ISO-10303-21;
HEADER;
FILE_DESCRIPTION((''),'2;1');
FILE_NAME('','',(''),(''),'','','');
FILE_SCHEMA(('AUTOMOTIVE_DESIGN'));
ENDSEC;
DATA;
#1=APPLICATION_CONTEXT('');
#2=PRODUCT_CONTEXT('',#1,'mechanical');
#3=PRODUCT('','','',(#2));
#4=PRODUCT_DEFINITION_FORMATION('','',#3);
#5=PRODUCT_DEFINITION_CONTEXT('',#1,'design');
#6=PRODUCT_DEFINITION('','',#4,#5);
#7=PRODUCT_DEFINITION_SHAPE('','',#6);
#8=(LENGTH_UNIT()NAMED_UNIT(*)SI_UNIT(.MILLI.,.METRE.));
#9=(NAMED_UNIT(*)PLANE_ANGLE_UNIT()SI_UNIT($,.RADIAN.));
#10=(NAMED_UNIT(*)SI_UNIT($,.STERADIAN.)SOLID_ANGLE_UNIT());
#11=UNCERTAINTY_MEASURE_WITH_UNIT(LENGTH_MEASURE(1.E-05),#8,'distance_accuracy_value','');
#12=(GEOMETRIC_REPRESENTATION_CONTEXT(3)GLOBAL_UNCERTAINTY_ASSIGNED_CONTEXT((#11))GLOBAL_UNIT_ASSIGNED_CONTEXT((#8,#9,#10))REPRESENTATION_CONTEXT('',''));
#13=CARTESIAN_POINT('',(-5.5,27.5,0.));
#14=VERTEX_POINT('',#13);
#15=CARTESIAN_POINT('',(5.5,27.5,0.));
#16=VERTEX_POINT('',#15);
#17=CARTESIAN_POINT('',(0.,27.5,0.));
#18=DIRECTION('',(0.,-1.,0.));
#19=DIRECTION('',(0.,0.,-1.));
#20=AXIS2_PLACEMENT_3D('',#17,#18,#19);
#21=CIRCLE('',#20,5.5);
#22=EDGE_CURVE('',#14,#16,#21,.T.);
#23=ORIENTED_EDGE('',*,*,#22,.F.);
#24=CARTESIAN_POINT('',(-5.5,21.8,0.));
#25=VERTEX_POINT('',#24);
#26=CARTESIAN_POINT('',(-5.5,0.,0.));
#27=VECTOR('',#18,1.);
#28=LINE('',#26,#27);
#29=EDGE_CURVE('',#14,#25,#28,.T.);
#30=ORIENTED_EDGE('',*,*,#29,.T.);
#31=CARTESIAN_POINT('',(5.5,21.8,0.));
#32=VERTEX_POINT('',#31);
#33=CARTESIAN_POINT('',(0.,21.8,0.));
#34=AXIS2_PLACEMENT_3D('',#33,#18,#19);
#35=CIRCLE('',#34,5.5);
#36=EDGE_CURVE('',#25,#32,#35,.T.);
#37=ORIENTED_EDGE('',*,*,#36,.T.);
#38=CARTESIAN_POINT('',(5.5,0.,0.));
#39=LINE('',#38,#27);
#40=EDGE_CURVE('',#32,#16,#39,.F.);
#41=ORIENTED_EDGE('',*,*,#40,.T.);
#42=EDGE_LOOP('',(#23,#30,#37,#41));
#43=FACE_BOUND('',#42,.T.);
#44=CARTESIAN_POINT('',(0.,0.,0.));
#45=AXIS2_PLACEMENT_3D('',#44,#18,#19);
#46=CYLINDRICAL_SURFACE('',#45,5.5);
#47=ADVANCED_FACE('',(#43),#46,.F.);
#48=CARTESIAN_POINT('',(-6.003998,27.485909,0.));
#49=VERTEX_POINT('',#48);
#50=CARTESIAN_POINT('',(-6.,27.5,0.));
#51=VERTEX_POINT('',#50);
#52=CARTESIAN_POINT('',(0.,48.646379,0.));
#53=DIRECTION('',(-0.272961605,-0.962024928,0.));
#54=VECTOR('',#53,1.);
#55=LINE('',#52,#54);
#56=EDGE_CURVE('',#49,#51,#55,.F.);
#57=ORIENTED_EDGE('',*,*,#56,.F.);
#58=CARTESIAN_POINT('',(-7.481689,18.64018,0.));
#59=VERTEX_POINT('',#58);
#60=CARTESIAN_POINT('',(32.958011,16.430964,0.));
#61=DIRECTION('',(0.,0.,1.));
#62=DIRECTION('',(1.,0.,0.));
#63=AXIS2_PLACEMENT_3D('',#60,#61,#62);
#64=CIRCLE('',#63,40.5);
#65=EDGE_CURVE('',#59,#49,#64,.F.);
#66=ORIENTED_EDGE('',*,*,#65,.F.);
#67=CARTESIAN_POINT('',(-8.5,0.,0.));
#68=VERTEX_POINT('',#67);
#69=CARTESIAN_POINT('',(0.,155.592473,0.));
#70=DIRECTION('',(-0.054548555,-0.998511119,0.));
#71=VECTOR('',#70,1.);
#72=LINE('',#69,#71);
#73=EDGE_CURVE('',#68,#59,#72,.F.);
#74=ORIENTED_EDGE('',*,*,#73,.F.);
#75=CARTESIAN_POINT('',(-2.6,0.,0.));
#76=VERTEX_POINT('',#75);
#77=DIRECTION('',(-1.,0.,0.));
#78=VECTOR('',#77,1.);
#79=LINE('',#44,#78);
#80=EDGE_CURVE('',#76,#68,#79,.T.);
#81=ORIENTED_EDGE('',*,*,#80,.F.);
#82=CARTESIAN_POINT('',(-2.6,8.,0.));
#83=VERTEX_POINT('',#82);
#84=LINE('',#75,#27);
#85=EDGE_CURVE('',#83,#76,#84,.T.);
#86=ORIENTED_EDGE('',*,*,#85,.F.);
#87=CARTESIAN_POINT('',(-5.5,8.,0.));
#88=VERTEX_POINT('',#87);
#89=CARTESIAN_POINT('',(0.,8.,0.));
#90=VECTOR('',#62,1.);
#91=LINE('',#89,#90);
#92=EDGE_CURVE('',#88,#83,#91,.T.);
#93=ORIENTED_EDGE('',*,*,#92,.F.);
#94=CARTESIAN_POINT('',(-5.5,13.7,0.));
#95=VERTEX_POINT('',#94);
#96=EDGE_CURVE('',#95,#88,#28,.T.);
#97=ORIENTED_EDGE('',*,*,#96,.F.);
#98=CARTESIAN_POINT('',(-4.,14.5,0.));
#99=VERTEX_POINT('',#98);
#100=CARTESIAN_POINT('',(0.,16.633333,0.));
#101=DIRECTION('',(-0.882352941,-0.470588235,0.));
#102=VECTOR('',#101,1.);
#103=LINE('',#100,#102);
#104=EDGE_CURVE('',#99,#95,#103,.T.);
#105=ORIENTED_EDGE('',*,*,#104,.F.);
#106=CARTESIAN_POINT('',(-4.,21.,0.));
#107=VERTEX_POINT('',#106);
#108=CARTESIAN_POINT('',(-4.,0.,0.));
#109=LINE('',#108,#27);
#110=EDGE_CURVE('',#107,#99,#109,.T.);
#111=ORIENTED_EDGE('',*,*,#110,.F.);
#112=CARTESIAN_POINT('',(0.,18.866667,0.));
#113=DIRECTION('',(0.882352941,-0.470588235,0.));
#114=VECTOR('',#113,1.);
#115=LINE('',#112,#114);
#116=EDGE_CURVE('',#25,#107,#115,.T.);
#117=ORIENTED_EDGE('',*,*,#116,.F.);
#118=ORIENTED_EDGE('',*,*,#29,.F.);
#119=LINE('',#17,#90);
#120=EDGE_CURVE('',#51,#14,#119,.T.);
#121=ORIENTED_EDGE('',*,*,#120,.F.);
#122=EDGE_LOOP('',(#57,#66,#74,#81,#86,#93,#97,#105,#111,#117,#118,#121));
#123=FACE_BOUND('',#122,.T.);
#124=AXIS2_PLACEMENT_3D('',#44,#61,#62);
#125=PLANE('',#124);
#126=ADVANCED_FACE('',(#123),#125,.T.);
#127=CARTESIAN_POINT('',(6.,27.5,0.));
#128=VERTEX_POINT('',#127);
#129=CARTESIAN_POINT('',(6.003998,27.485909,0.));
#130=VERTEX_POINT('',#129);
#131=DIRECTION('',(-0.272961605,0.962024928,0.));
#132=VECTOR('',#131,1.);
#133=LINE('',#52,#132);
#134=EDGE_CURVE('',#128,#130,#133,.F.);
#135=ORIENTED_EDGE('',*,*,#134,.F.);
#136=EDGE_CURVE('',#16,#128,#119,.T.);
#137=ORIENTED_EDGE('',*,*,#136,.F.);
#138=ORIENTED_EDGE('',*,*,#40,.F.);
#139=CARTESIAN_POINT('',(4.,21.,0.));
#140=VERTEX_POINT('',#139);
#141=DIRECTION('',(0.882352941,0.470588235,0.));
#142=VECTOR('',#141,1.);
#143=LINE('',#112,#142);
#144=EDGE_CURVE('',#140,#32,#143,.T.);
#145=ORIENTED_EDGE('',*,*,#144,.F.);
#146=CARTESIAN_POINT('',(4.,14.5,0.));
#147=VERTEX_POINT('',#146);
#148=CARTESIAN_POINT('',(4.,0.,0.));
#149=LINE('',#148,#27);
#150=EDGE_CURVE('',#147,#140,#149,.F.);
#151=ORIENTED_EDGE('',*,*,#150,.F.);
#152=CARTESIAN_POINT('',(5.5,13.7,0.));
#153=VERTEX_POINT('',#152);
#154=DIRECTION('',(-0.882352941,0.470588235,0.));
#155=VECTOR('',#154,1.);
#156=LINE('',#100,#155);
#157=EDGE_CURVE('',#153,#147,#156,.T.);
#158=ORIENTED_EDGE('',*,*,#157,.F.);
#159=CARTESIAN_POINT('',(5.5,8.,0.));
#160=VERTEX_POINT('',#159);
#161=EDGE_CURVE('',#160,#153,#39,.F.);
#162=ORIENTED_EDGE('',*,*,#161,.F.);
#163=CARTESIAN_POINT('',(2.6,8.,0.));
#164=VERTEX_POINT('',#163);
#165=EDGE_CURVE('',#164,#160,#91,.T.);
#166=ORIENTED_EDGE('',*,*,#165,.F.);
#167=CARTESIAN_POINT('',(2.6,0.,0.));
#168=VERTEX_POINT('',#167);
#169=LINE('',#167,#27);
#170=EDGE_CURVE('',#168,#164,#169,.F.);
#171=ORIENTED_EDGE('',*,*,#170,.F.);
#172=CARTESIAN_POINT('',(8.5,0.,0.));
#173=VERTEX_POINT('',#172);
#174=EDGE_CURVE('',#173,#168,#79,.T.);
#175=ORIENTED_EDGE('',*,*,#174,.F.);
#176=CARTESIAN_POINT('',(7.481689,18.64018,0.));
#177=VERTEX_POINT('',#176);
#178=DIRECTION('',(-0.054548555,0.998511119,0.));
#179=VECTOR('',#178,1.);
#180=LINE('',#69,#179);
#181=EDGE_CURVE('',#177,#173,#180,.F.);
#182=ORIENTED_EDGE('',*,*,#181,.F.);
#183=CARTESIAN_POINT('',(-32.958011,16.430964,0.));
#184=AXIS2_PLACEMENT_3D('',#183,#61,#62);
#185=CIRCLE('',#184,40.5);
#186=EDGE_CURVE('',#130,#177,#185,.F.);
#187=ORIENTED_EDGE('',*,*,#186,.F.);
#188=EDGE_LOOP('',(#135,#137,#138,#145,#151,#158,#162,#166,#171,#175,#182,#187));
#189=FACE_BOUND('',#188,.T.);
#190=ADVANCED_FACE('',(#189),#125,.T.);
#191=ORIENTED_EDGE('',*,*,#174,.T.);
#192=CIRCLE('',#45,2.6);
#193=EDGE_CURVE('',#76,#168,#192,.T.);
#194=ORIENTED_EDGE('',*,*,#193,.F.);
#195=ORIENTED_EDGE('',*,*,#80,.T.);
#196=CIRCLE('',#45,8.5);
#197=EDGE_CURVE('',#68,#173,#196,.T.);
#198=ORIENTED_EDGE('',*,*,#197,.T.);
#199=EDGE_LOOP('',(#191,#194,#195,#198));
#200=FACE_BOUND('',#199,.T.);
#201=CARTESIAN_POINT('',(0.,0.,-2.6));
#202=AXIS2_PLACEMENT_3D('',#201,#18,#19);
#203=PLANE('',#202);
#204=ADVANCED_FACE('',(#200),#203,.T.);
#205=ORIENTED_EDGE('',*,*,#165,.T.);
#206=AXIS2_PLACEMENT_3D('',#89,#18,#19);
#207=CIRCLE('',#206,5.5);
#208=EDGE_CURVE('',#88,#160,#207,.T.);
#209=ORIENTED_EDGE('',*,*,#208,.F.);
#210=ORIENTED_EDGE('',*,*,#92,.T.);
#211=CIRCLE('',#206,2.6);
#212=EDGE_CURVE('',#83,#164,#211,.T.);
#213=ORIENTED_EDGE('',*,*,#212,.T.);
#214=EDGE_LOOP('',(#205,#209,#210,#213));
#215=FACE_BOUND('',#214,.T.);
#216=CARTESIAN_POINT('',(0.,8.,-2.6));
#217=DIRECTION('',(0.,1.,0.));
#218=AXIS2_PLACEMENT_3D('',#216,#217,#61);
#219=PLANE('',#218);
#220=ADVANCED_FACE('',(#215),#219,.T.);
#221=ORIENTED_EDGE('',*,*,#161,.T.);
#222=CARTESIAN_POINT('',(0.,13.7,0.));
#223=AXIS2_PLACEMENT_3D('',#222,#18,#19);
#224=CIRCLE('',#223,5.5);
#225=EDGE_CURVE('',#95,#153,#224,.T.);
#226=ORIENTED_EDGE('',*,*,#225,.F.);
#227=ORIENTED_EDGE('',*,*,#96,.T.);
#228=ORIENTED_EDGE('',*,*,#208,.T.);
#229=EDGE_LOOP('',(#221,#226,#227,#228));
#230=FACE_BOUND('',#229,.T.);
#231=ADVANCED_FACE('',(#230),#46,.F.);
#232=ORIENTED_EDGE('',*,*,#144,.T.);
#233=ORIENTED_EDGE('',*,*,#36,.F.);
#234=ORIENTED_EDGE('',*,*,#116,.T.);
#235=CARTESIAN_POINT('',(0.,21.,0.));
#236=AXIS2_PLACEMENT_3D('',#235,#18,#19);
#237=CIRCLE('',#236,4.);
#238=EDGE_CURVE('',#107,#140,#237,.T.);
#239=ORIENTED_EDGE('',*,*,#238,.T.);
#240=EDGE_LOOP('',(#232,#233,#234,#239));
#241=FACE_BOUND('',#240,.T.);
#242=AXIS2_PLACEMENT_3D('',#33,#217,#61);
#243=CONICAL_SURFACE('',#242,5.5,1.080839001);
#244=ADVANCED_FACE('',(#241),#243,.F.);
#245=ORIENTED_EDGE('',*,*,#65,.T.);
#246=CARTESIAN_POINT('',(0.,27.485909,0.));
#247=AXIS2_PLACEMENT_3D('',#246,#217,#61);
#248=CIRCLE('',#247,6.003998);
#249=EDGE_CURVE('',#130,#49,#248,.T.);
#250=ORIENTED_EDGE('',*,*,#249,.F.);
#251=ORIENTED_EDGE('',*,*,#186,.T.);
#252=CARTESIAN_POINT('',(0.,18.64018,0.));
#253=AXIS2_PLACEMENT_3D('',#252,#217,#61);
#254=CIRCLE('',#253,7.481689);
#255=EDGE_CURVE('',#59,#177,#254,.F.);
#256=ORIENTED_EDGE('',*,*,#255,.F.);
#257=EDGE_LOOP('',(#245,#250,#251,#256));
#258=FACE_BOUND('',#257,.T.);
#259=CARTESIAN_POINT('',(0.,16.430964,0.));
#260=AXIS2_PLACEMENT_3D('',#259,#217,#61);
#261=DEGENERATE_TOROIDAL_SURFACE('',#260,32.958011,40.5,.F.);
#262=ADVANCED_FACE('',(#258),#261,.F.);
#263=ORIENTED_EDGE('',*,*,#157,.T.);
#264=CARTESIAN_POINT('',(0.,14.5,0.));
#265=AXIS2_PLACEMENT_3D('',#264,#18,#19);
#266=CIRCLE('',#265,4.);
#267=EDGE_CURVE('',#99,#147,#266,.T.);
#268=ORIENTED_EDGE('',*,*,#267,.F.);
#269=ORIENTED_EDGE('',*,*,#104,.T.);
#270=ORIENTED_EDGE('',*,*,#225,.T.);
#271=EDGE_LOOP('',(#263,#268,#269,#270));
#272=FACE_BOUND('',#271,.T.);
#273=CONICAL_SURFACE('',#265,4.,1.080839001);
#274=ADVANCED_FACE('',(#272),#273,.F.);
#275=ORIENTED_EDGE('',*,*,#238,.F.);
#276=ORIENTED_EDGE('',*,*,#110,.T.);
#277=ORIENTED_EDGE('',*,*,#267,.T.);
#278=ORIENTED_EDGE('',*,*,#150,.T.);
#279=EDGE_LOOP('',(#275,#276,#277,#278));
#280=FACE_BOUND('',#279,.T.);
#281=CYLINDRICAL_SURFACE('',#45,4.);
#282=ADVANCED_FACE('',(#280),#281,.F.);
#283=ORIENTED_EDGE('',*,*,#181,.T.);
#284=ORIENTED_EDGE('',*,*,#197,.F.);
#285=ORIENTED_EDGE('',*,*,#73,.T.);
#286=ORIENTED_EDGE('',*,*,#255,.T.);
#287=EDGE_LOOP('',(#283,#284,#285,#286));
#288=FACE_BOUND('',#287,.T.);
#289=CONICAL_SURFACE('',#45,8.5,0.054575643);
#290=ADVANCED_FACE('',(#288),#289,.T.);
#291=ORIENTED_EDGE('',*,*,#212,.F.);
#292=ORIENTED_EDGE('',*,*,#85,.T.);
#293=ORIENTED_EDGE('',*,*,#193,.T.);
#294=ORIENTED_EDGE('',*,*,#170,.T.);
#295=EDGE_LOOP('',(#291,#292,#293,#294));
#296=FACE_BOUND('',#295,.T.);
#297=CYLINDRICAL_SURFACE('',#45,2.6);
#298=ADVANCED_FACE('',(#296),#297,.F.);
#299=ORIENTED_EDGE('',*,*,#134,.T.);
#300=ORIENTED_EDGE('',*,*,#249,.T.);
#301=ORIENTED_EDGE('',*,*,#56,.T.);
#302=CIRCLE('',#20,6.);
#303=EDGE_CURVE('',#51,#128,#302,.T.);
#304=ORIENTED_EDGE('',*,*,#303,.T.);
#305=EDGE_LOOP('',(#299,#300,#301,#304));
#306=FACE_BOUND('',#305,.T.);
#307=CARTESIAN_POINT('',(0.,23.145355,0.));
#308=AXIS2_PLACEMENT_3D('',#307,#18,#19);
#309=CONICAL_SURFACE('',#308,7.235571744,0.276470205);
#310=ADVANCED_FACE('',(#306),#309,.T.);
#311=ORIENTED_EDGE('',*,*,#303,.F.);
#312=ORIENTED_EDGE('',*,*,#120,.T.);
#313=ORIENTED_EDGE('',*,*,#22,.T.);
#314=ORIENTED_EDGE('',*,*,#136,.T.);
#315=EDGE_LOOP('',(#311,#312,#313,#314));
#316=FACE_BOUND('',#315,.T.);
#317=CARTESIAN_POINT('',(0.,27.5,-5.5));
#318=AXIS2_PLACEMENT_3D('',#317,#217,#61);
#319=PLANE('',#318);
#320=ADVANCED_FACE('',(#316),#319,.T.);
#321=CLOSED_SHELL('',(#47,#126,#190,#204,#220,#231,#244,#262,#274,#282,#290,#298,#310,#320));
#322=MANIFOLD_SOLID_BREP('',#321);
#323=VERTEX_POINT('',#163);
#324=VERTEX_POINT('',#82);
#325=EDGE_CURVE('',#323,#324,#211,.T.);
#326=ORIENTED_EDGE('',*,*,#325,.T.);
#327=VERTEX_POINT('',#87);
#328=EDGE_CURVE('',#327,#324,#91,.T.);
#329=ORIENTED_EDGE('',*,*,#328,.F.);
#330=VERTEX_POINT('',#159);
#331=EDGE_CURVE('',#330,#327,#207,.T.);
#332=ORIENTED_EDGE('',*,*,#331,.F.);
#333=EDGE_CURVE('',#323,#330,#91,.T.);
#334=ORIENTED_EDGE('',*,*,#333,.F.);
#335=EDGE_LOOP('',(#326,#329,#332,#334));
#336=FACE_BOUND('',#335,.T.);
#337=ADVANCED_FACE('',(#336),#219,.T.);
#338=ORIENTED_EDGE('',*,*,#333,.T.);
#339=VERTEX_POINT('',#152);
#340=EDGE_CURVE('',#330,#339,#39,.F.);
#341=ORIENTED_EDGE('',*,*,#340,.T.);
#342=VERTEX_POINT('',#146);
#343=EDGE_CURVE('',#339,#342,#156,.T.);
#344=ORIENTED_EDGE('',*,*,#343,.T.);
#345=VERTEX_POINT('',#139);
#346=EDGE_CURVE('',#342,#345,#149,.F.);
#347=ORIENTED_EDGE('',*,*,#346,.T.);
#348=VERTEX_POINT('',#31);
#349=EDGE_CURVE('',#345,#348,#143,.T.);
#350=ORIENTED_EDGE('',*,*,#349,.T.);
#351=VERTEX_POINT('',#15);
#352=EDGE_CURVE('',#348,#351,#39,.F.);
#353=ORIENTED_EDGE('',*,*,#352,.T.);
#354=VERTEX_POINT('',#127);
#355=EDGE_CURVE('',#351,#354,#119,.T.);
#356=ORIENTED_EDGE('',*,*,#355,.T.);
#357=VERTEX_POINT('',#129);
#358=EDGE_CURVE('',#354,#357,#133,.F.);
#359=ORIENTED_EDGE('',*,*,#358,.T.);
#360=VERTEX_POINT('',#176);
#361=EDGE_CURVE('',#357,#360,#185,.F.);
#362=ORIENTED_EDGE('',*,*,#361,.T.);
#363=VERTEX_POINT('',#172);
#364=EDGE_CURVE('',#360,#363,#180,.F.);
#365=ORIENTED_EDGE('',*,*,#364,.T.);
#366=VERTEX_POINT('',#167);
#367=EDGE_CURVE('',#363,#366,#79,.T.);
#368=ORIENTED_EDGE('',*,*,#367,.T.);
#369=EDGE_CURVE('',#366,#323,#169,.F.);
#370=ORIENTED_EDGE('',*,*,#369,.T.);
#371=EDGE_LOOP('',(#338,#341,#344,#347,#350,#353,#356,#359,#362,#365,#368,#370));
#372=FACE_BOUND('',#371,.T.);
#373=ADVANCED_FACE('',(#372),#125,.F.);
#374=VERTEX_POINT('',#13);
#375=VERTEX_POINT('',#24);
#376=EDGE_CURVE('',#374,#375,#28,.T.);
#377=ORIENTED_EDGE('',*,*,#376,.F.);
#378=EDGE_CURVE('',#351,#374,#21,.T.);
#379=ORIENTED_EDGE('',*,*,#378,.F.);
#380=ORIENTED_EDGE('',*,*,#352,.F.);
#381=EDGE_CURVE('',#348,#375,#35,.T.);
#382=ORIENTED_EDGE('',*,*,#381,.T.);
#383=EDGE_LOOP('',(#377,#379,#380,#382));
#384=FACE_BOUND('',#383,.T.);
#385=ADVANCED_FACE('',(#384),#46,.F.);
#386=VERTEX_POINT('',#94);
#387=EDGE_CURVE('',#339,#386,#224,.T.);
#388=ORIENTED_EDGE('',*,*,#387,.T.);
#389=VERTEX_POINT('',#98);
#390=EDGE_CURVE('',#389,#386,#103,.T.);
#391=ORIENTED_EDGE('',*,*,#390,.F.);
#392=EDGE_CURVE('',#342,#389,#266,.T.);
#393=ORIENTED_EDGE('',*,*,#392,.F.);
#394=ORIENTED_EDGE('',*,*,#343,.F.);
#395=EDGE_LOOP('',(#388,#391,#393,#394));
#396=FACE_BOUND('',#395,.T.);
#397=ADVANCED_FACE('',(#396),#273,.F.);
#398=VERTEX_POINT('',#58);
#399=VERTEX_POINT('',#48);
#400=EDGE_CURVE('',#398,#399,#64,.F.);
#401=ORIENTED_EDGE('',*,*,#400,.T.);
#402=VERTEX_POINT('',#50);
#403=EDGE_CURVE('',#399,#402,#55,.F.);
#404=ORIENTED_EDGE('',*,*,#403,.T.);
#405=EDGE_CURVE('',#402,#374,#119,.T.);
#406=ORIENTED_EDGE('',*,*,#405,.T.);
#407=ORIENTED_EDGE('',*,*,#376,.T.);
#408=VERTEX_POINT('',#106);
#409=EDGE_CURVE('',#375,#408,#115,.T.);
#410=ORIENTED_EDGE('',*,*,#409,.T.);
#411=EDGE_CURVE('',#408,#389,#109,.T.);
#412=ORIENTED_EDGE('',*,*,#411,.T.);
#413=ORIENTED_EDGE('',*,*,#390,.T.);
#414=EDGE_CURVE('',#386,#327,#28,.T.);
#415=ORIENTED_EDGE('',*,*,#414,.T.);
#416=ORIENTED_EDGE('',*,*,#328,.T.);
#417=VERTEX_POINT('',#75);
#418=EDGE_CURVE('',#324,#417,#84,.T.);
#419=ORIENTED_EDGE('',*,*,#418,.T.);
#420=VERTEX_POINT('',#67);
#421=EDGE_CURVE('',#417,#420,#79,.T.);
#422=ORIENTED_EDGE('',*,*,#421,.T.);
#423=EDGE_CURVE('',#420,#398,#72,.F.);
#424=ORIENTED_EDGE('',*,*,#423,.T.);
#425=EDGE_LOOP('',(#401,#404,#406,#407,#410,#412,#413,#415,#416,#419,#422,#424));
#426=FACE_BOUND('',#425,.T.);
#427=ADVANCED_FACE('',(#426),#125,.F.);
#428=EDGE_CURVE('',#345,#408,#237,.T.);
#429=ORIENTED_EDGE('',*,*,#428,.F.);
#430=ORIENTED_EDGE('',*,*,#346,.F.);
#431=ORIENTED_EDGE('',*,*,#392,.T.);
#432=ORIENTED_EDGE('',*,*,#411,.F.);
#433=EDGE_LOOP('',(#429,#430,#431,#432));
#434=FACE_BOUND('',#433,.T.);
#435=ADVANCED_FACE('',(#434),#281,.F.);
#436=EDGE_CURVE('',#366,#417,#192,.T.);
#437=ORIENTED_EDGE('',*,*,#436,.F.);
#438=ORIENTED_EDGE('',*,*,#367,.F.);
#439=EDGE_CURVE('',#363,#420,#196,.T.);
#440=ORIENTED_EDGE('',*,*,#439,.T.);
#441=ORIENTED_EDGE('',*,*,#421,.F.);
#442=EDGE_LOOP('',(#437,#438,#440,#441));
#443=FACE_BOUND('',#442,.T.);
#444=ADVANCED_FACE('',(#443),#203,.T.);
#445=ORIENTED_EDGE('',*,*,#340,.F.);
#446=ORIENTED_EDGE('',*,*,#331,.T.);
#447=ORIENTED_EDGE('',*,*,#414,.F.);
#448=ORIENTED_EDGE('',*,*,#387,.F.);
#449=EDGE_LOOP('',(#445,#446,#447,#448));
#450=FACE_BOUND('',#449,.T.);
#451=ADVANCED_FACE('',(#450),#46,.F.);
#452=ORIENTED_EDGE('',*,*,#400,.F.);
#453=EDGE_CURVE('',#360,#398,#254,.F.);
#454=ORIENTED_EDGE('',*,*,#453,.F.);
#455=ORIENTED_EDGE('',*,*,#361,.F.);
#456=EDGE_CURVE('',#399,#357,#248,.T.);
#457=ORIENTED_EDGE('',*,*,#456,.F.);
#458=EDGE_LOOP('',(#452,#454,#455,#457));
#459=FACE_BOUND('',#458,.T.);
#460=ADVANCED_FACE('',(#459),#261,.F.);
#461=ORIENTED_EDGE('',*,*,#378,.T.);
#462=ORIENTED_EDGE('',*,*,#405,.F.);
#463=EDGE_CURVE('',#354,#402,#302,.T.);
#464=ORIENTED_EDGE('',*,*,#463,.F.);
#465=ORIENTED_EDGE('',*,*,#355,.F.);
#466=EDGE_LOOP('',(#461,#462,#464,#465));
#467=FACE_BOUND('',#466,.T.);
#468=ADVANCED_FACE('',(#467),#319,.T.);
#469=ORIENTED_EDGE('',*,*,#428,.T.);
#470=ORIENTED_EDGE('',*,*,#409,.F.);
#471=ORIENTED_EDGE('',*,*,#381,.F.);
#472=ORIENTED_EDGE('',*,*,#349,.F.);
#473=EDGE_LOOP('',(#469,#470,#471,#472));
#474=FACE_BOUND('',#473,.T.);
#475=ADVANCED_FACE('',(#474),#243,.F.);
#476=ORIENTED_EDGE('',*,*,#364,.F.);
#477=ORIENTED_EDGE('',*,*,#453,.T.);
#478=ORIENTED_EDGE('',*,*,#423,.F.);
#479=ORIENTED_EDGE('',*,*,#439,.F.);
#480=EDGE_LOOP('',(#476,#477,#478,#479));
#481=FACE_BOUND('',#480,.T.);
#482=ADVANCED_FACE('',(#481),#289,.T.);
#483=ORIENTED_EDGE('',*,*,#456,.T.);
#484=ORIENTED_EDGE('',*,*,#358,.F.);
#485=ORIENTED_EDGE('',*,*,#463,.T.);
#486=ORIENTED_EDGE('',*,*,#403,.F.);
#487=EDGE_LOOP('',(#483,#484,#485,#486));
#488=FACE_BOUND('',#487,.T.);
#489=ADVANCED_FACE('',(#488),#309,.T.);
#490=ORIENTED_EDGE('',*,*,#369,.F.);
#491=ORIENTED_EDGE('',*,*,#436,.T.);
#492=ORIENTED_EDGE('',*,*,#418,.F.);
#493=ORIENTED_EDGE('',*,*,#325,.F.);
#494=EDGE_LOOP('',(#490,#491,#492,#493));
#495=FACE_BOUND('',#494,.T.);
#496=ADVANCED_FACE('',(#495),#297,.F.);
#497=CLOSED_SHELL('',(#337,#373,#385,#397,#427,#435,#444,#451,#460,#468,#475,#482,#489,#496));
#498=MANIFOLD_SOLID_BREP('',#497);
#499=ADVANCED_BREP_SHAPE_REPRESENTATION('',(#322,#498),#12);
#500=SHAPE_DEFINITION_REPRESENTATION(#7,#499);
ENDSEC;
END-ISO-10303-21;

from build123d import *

# Parameters (mm, degrees)
FILLET1_R = 40.5


with BuildPart() as part:
    # Sketch1 → Revolve1 (revolve)
    with BuildSketch(Plane(origin=(0, 0, 0), x_dir=(0, 0, -1), z_dir=(1, 0, 0))):
        Polygon((2.6, 0), (8.5, 0), (7.235571744, 23.145355256), (6, 27.5), (5.5, 27.5), (5.5, 21.8), (4, 21), (4, 14.5), (5.5, 13.7), (5.5, 8), (2.6, 8), align=None)
    revolve(axis=Axis((0, 0, 0), (0, 1, 0)))

    # Fillet1
    fillet1_edges = [part.edges().sort_by_distance(p)[0] for p in [
        (0, 23.145355256, 7.235571744),
    ]]
    fillet(fillet1_edges, radius=FILLET1_R)


with BuildPart() as body_2:
    # Split1: the piece on the far side of the plane
    add(part.part)
    split(bisect_by=Plane.XY, keep=Keep.BOTTOM)


with BuildPart() as part_1:
    add(part.part)

    # Split1
    split(bisect_by=Plane.XY, keep=Keep.TOP)


solid = Compound([body_2.part, part_1.part])
